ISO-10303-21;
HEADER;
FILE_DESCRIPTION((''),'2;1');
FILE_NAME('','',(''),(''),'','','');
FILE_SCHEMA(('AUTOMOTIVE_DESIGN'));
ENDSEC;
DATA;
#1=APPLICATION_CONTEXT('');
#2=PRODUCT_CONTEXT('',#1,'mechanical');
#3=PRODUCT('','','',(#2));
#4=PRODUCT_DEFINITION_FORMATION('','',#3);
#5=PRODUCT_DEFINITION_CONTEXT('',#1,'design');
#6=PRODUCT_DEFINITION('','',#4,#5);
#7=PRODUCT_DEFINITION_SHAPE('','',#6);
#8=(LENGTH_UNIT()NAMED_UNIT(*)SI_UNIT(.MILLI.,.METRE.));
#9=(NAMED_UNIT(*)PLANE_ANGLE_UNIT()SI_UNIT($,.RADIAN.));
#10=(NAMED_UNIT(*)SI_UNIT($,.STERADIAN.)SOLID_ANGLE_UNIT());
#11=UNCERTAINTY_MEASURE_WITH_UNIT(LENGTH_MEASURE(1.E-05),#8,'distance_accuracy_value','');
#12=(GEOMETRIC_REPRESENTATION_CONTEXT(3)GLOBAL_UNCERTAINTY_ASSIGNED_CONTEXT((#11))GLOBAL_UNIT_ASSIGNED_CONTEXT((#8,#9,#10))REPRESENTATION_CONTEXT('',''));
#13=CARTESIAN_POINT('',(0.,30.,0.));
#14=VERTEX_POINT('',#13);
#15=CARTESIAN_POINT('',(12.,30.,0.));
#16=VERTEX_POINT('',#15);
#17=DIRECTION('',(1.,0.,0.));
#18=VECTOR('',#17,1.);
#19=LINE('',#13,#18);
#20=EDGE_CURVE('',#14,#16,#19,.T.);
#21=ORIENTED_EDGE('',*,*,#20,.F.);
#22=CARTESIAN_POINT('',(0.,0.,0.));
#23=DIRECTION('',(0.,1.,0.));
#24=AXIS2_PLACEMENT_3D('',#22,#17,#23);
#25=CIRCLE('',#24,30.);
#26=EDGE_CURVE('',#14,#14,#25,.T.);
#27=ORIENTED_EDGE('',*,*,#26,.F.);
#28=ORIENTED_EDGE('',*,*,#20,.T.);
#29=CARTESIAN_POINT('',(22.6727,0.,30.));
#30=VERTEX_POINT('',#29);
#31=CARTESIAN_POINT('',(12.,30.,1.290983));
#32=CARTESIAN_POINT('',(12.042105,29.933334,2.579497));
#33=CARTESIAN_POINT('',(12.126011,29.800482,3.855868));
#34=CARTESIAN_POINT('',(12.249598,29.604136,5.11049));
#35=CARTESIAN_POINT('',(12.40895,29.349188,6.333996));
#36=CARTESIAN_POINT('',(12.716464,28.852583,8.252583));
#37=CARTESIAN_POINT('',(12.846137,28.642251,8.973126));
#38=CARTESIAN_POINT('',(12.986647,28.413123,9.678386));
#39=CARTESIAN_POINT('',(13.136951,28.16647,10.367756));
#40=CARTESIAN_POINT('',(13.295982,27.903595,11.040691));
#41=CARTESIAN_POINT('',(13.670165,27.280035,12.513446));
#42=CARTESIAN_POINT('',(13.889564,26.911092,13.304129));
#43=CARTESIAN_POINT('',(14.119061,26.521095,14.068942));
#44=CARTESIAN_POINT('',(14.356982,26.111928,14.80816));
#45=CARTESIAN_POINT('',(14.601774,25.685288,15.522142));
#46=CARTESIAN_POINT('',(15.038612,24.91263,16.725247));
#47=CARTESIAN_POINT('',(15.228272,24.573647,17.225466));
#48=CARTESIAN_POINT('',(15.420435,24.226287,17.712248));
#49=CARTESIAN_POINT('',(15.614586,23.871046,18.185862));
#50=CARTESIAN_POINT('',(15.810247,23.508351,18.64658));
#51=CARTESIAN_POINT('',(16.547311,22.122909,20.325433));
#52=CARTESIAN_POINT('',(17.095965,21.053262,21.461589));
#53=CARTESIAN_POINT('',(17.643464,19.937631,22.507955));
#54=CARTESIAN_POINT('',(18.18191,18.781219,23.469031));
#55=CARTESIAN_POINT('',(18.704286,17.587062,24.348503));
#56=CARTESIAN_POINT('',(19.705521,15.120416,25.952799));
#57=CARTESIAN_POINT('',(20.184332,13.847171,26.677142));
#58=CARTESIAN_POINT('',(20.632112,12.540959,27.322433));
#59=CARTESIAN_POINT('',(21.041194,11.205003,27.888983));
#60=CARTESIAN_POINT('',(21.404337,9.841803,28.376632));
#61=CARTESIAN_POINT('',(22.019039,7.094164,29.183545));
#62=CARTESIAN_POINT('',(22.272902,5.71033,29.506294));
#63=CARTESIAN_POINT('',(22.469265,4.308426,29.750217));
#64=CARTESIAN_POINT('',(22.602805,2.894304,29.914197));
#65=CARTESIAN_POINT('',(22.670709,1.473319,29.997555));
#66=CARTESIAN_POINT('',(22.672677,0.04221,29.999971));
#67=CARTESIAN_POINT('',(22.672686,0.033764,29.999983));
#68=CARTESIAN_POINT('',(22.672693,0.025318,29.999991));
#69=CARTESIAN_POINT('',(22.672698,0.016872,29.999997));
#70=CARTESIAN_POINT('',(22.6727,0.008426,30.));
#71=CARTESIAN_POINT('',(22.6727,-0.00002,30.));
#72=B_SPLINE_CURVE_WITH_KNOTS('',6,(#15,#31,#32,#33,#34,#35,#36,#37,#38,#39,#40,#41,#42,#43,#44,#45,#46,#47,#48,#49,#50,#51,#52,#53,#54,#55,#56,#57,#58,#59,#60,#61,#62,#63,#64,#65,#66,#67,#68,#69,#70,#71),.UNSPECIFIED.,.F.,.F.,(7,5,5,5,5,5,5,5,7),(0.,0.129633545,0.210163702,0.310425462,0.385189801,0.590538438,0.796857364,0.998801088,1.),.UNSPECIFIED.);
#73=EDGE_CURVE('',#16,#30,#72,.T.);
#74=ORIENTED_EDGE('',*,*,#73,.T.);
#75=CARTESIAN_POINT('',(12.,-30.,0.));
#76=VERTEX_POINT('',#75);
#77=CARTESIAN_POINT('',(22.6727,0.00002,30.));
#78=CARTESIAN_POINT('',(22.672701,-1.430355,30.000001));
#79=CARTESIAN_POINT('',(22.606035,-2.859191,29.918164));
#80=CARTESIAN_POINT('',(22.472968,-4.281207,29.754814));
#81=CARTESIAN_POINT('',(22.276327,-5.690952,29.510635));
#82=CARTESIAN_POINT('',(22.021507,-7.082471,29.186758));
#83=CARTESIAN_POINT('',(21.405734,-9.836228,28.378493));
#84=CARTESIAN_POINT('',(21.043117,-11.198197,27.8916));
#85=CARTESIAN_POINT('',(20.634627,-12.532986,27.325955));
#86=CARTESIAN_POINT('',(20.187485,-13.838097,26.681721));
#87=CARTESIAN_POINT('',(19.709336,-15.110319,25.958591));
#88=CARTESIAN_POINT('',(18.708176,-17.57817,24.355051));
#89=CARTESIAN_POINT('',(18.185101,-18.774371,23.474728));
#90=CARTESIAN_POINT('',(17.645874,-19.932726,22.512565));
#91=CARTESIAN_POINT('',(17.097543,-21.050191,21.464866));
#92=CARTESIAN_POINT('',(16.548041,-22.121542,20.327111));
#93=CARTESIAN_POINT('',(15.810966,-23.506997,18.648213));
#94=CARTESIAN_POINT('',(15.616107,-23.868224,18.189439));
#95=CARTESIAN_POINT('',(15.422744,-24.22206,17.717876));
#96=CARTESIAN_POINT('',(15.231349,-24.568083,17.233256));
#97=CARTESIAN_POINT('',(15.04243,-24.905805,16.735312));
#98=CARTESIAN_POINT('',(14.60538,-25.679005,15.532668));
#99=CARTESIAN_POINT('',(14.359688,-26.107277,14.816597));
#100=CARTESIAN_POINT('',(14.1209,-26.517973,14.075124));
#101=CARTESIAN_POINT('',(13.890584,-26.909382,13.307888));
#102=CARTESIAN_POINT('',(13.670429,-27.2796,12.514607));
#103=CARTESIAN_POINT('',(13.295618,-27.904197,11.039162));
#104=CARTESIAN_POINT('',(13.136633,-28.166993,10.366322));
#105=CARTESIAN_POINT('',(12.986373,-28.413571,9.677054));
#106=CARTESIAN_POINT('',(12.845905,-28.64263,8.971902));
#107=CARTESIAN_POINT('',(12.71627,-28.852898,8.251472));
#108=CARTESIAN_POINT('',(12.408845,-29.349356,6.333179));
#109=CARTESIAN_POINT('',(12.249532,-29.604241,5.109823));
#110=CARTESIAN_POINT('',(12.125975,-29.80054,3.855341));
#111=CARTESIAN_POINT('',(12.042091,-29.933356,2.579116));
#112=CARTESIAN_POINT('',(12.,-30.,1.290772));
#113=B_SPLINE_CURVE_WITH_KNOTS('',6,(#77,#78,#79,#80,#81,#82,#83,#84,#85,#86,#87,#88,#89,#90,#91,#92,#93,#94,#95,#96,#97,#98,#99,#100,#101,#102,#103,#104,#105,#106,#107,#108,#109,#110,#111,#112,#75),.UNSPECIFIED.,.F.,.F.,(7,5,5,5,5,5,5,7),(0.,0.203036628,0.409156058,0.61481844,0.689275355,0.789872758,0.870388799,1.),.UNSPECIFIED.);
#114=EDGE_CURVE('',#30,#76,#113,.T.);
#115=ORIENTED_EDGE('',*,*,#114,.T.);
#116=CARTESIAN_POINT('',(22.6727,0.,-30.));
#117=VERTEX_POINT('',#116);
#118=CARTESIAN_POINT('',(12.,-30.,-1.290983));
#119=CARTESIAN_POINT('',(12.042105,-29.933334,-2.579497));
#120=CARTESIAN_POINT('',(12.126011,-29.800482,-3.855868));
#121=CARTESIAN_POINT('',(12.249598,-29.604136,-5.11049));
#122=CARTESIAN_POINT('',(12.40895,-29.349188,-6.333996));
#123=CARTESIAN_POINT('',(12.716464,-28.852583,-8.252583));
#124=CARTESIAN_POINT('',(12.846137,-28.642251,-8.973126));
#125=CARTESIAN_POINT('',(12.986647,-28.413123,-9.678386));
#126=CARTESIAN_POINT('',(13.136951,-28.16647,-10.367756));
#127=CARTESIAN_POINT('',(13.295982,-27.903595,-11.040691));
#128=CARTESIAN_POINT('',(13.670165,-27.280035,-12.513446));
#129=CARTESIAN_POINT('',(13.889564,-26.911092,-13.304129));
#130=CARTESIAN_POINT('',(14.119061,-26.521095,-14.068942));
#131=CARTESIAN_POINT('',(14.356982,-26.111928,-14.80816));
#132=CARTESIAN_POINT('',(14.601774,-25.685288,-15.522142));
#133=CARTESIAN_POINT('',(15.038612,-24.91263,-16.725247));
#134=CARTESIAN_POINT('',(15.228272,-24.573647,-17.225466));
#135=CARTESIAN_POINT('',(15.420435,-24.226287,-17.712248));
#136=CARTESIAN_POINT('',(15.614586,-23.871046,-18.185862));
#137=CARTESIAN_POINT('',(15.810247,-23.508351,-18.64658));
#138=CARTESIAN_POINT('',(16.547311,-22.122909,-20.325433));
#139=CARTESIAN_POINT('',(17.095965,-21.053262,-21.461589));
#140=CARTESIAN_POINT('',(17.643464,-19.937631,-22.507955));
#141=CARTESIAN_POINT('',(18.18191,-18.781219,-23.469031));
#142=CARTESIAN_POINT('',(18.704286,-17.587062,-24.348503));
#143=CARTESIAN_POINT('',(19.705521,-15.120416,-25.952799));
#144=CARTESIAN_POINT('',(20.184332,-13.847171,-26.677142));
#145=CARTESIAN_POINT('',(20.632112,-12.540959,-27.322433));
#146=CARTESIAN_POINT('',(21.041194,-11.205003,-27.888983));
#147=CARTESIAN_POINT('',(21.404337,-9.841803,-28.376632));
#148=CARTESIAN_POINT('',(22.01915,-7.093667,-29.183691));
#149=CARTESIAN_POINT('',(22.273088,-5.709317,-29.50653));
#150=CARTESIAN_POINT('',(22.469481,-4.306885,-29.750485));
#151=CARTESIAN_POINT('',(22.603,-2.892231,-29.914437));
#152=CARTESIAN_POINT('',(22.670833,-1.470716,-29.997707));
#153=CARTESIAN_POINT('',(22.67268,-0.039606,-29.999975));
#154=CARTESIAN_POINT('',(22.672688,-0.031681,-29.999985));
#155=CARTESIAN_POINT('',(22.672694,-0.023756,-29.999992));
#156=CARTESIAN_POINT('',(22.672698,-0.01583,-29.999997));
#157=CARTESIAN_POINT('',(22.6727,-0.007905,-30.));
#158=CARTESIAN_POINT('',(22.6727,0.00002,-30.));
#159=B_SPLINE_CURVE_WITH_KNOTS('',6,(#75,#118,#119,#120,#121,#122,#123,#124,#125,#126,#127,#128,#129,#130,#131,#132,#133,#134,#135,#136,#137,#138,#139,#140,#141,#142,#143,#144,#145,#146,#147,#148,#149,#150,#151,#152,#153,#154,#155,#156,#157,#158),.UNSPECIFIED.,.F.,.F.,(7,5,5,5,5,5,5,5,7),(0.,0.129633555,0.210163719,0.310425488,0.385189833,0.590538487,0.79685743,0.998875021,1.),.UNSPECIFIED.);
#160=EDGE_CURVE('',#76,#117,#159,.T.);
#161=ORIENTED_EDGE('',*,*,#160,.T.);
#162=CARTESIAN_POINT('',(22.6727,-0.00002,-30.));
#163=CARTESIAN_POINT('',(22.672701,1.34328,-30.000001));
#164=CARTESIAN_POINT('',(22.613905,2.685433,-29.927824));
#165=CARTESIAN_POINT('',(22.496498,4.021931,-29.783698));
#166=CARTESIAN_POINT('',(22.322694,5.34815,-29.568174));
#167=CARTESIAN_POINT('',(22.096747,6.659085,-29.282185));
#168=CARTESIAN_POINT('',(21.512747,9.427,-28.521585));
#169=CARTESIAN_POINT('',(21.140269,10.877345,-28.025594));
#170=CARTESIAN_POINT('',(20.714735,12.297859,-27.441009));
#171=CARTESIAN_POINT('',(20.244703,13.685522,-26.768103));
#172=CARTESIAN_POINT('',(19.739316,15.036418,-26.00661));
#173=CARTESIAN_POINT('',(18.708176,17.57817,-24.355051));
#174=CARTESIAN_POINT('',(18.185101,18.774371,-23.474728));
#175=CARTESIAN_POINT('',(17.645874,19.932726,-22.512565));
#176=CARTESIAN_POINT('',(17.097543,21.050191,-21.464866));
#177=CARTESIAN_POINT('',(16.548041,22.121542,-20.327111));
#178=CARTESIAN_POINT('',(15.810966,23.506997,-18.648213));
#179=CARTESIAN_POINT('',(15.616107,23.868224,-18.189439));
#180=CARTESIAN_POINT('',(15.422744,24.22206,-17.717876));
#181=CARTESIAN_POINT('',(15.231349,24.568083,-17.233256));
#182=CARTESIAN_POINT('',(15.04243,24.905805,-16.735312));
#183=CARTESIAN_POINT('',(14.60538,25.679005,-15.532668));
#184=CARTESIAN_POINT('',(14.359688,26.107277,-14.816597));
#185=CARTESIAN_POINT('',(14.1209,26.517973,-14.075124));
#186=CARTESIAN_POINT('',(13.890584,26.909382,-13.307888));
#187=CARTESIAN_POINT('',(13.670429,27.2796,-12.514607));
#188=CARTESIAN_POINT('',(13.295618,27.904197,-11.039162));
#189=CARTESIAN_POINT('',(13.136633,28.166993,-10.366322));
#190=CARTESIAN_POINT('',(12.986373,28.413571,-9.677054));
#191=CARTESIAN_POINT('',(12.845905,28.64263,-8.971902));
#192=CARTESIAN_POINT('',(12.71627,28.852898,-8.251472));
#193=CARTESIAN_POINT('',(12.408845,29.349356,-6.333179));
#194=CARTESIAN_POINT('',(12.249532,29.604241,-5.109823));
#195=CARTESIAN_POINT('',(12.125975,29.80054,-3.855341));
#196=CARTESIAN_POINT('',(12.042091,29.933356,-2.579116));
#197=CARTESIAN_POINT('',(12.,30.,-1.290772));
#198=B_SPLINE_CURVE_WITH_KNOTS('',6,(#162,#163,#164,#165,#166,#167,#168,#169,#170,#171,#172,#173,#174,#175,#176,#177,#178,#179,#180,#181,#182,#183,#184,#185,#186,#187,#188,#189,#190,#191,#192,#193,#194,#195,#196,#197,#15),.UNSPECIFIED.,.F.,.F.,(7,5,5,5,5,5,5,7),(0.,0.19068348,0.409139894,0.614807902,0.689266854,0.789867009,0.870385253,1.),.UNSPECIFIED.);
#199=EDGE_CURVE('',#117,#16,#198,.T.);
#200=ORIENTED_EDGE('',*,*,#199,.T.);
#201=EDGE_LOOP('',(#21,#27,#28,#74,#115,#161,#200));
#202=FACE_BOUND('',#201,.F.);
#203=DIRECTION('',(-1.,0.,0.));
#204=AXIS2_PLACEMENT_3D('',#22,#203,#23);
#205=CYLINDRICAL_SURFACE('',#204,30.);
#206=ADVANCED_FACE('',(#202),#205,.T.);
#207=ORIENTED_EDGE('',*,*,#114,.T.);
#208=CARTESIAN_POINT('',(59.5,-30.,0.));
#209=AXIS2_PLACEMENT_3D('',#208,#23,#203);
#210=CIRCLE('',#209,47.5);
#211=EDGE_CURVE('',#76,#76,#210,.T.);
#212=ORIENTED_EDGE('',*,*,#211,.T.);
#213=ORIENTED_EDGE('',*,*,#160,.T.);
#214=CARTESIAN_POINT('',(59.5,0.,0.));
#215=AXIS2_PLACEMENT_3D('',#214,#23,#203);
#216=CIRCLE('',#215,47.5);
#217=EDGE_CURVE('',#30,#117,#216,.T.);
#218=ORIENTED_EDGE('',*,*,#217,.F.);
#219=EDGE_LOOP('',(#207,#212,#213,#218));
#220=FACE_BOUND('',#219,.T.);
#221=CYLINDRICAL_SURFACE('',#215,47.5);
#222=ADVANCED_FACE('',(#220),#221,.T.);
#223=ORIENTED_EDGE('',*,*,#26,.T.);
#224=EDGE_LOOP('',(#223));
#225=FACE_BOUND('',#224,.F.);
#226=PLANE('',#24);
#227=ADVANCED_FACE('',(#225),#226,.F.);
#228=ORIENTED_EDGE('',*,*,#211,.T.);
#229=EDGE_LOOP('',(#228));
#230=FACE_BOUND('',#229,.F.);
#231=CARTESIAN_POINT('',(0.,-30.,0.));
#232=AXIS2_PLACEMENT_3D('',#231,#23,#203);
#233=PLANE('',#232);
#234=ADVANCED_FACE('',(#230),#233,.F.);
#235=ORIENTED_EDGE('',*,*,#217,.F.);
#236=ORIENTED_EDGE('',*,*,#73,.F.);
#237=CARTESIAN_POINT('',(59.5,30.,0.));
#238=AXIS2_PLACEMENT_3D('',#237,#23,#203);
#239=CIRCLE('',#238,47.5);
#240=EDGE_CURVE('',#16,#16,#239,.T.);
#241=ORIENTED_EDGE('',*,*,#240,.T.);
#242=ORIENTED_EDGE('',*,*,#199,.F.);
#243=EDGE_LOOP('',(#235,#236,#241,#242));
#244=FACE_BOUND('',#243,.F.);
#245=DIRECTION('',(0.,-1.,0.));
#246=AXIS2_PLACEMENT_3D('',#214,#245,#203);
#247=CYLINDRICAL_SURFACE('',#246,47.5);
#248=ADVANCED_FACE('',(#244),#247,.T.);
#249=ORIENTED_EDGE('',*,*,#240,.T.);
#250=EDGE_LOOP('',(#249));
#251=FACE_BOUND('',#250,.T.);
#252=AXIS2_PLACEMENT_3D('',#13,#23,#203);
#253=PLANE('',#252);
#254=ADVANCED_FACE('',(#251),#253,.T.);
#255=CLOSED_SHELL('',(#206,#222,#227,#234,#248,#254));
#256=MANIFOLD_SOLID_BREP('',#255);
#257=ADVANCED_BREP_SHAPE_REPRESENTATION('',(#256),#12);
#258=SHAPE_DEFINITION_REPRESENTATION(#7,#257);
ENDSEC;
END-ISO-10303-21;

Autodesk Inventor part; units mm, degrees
ref_plane "YZ Plane" through (0, 0, 0) normal (1, 0, 0) x (0, 1, 0)
ref_plane "XZ Plane" through (0, 0, 0) normal (0, 1, 0) x (-1, 0, 0)
ref_plane "XY Plane" through (0, 0, 0) normal (0, 0, 1) x (1, 0, 0)
sketch "Sketch1" plane through (0, 0, 0) normal (1, 0, 0) x (0, 1, 0)
  circle A0 centre (0, 0) radius 30
  dimension "d0" = 60
extrude "Extrusion1" add sketch "Sketch1" along normal blind 59.5
sketch "Sketch2" plane through (0, 0, 0) normal (0, 1, 0) x (-1, 0, 0)
  line L0 (-59.5, 30) -> (-59.5, -30) projected
  circle A0 centre (-59.5, 0) radius 47.5
  point P0 (0, 0)
  dimension "d3" = 95
extrude "Extrusion2" add sketch "Sketch2" along normal mid plane 60
properties part number "hip"
